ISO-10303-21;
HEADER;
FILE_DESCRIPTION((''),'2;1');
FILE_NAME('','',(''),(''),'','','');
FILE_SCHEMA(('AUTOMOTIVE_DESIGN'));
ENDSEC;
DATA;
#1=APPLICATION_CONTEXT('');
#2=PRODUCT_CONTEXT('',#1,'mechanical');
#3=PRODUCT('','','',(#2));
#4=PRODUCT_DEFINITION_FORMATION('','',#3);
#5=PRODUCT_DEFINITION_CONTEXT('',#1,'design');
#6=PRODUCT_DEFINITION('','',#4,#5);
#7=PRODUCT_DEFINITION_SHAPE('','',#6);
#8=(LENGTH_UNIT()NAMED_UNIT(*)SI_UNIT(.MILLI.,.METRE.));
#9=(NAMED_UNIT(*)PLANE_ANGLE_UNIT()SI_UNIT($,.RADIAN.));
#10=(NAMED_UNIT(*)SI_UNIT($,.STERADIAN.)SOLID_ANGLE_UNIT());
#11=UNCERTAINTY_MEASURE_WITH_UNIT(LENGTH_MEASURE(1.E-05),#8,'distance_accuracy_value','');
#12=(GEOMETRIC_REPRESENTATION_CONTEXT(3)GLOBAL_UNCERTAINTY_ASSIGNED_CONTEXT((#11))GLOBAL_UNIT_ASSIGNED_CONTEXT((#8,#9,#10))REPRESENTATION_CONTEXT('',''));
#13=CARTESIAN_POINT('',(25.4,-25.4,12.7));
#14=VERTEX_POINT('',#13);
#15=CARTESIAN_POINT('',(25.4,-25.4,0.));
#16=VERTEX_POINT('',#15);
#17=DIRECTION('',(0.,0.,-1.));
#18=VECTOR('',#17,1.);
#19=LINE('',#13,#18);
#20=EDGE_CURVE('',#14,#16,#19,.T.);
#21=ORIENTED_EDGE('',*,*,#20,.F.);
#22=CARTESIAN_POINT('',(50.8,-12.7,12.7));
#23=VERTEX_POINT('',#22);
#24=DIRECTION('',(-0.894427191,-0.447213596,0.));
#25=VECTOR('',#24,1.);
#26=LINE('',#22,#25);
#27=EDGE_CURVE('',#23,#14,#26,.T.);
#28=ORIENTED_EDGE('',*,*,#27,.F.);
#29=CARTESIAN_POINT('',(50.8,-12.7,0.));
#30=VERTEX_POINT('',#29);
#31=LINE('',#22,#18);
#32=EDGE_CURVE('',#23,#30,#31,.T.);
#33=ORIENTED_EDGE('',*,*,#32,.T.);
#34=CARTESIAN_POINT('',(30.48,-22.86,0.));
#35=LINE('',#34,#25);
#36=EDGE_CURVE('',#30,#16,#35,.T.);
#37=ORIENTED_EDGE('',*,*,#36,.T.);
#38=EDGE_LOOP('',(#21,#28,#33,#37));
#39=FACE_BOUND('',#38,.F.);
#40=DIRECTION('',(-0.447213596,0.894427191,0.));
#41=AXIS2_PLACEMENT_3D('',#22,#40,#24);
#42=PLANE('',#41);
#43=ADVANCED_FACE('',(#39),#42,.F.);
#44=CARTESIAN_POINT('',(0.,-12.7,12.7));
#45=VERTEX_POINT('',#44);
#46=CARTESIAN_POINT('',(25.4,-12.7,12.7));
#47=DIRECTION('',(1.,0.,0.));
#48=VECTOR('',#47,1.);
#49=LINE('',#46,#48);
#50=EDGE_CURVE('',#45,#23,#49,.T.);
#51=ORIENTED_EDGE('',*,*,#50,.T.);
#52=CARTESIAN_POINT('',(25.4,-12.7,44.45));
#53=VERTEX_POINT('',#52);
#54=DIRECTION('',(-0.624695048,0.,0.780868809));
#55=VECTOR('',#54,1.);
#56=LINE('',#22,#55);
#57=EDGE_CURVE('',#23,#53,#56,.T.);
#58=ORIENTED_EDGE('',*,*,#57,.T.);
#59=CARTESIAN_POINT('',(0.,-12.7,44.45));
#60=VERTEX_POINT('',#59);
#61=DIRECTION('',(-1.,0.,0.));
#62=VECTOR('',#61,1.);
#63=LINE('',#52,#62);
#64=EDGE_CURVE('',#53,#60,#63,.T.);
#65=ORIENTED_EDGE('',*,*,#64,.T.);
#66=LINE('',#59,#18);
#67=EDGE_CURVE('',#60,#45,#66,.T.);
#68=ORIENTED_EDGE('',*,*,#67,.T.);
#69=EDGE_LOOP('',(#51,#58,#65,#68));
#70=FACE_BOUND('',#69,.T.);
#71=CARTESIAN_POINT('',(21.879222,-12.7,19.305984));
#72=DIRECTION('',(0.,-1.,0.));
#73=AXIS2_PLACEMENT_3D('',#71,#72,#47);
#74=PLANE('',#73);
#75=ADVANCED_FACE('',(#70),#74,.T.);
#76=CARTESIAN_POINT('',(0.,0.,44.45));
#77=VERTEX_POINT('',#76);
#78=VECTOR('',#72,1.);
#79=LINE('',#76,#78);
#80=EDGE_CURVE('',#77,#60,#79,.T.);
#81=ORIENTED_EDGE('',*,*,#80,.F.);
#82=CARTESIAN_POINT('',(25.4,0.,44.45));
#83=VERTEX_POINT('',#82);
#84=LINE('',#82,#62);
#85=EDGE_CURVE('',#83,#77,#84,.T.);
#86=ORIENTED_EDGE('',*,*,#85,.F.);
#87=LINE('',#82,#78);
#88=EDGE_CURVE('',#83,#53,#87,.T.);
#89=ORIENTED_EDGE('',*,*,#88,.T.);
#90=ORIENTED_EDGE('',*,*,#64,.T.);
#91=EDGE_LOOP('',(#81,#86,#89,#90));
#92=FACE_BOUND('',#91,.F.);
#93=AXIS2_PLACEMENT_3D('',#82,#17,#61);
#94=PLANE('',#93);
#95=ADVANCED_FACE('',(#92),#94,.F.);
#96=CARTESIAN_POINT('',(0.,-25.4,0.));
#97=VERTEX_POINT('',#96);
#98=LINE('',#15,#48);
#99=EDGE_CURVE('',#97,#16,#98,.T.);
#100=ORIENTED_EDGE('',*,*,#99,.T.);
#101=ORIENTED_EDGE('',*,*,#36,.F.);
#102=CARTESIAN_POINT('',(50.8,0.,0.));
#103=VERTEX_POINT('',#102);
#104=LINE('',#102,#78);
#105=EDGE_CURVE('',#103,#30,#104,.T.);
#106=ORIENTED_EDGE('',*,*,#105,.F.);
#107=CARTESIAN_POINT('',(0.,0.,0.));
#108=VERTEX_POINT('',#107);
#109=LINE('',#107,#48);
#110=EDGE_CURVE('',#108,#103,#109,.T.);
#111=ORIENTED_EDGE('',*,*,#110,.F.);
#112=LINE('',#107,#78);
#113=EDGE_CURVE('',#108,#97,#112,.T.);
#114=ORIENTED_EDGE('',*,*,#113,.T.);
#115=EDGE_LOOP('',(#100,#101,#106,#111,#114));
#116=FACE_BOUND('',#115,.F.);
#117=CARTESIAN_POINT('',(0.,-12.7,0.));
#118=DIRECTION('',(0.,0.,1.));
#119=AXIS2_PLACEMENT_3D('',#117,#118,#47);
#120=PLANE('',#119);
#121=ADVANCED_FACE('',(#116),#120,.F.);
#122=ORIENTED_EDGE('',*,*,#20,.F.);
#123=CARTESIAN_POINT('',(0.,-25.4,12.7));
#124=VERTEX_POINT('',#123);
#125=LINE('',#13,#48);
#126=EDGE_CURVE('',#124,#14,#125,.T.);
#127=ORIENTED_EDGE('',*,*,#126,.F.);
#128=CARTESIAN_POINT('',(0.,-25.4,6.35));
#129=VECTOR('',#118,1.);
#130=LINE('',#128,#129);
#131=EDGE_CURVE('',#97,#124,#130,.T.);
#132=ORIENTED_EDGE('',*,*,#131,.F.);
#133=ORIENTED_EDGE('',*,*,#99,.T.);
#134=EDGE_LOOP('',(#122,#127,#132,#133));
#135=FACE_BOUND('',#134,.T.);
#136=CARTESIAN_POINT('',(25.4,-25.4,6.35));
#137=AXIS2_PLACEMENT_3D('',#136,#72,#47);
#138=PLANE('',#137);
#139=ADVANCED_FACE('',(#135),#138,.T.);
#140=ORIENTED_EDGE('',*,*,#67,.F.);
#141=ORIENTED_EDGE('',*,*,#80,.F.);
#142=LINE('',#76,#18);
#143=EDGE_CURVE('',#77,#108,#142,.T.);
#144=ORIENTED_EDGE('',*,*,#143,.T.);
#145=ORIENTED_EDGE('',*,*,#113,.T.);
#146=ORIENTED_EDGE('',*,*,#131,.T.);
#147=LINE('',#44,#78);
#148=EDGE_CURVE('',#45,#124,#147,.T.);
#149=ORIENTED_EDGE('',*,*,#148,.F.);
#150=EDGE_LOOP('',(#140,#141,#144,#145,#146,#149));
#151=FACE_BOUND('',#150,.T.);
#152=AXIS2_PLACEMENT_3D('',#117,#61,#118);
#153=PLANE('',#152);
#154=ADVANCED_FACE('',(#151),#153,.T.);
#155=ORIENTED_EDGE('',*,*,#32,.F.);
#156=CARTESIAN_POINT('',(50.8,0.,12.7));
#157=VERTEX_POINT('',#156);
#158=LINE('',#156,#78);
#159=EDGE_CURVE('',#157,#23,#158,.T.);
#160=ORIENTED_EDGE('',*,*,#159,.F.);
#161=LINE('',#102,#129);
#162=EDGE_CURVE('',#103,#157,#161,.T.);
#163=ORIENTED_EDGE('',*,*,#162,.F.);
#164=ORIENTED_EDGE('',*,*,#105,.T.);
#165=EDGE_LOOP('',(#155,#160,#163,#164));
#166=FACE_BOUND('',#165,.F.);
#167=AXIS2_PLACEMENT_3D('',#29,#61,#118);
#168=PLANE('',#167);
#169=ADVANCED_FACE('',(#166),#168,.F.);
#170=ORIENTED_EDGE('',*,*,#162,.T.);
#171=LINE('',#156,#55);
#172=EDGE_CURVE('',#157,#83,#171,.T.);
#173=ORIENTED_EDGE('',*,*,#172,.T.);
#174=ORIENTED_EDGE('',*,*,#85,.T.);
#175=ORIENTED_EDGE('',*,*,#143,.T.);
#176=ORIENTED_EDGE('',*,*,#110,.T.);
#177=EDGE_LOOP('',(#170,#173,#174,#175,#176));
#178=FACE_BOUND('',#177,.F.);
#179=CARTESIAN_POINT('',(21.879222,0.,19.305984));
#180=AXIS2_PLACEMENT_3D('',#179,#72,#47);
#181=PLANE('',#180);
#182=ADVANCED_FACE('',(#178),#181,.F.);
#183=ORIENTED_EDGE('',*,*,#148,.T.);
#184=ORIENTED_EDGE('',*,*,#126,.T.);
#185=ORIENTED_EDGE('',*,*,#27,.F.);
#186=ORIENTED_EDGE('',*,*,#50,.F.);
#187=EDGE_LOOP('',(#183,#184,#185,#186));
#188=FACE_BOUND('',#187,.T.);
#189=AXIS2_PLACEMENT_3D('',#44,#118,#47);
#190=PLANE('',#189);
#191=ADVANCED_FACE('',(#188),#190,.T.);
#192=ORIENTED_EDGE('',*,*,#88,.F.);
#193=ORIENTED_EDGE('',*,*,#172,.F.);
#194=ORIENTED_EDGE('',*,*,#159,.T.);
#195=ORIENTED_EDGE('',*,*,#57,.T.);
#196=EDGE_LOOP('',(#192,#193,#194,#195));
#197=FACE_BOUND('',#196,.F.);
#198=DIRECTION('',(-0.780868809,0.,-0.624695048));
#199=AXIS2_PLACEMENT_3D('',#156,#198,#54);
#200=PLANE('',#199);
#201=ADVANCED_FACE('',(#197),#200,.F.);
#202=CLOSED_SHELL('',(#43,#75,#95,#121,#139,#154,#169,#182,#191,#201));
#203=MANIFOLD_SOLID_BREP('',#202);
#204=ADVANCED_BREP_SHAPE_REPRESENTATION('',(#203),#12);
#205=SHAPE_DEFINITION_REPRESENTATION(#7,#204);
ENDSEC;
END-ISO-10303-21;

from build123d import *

# Parameters (mm, degrees)
F1_DEPTH = 12.7
F2_W     = 50.8
F2_H     = 12.7
F3_DEPTH = 12.7
F5_DEPTH = 25.4


with BuildPart() as f1:
    # F0 (on Front) → F1 (new body)
    with BuildSketch(Plane.XZ):
        Polygon((0, 44.45), (0, 0), (50.8, 0), (50.8, 12.7), (25.4, 44.45), align=None)
    extrude(amount=F1_DEPTH)

    # F2 (on face) → F3 (join)
    with BuildSketch(Plane.XZ.offset(12.7)):
        with Locations((25.4, 6.35)):
            Rectangle(F2_W, F2_H)
    extrude(amount=F3_DEPTH)

    # F4 (on face) → F5 (cut)
    with BuildSketch(Plane.XY.offset(12.7)):
        Polygon((50.8, -12.7), (25.4, -25.4), (50.8, -25.4), align=None)
    extrude(amount=-F5_DEPTH, mode=Mode.SUBTRACT)


solid = f1.part
